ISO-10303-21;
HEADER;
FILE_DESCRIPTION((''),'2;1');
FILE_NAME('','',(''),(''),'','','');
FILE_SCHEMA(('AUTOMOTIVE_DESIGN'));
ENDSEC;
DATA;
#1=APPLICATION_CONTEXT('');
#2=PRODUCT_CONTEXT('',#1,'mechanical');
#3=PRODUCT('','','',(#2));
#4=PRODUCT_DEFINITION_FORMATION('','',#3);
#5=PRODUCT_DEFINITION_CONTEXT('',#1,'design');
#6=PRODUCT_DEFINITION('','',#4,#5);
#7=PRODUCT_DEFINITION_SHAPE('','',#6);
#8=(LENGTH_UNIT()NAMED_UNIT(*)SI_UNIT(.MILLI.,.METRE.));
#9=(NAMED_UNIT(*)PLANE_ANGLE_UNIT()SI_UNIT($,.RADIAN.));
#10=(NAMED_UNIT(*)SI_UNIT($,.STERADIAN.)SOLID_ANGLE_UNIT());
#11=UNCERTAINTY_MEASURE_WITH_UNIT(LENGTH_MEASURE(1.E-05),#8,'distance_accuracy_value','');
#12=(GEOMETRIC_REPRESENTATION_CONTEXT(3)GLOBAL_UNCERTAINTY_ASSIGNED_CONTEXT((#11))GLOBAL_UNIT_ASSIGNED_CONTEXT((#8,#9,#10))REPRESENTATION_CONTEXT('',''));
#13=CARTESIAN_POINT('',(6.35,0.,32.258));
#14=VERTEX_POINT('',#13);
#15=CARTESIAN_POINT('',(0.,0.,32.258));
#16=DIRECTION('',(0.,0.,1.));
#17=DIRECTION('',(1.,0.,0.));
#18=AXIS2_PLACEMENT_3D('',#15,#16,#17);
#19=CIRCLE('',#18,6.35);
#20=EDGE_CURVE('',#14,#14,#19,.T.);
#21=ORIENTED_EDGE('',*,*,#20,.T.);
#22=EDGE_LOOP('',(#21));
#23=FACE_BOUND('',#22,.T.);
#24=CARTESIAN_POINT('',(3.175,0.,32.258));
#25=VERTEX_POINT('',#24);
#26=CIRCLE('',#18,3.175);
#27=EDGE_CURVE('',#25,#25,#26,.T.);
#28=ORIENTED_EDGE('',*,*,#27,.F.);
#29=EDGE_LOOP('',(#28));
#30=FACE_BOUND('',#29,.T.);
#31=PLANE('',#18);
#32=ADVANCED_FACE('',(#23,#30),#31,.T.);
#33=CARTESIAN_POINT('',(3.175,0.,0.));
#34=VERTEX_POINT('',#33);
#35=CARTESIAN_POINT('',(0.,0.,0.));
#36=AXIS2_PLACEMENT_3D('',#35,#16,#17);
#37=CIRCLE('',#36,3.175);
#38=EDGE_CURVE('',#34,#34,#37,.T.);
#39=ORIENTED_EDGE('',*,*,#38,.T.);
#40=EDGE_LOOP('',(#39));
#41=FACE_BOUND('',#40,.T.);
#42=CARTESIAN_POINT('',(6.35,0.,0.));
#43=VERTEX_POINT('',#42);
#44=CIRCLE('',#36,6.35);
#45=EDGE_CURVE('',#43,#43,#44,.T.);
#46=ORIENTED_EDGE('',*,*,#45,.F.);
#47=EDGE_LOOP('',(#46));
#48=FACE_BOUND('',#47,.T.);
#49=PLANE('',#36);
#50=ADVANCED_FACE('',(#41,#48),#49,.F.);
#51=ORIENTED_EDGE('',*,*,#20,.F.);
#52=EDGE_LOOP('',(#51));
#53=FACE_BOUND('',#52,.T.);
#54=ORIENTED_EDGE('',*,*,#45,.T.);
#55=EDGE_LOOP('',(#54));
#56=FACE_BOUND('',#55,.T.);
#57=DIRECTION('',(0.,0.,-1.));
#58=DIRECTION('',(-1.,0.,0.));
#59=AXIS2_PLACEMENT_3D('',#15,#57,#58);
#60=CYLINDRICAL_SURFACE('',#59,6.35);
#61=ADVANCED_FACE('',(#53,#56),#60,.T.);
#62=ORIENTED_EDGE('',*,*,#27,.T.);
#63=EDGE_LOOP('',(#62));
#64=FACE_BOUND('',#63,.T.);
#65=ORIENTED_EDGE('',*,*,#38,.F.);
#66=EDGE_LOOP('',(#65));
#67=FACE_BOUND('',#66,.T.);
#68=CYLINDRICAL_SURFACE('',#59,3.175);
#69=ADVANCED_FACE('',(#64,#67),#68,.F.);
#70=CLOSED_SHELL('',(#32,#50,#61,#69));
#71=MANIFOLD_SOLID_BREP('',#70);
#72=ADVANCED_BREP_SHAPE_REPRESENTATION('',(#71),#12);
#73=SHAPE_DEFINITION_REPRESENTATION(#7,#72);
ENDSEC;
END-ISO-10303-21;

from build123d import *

# Parameters (mm, degrees)
SKETCH1_R           = 6.35
SKETCH1_R_2         = 3.175
BOSS_EXTRUDE1_DEPTH = 32.258


with BuildPart() as part:
    # Sketch1 → Boss-Extrude1 (new body)
    with BuildSketch(Plane.XY):
        Circle(SKETCH1_R)
        Circle(SKETCH1_R_2, mode=Mode.SUBTRACT)
    extrude(amount=BOSS_EXTRUDE1_DEPTH)


solid = part.part
